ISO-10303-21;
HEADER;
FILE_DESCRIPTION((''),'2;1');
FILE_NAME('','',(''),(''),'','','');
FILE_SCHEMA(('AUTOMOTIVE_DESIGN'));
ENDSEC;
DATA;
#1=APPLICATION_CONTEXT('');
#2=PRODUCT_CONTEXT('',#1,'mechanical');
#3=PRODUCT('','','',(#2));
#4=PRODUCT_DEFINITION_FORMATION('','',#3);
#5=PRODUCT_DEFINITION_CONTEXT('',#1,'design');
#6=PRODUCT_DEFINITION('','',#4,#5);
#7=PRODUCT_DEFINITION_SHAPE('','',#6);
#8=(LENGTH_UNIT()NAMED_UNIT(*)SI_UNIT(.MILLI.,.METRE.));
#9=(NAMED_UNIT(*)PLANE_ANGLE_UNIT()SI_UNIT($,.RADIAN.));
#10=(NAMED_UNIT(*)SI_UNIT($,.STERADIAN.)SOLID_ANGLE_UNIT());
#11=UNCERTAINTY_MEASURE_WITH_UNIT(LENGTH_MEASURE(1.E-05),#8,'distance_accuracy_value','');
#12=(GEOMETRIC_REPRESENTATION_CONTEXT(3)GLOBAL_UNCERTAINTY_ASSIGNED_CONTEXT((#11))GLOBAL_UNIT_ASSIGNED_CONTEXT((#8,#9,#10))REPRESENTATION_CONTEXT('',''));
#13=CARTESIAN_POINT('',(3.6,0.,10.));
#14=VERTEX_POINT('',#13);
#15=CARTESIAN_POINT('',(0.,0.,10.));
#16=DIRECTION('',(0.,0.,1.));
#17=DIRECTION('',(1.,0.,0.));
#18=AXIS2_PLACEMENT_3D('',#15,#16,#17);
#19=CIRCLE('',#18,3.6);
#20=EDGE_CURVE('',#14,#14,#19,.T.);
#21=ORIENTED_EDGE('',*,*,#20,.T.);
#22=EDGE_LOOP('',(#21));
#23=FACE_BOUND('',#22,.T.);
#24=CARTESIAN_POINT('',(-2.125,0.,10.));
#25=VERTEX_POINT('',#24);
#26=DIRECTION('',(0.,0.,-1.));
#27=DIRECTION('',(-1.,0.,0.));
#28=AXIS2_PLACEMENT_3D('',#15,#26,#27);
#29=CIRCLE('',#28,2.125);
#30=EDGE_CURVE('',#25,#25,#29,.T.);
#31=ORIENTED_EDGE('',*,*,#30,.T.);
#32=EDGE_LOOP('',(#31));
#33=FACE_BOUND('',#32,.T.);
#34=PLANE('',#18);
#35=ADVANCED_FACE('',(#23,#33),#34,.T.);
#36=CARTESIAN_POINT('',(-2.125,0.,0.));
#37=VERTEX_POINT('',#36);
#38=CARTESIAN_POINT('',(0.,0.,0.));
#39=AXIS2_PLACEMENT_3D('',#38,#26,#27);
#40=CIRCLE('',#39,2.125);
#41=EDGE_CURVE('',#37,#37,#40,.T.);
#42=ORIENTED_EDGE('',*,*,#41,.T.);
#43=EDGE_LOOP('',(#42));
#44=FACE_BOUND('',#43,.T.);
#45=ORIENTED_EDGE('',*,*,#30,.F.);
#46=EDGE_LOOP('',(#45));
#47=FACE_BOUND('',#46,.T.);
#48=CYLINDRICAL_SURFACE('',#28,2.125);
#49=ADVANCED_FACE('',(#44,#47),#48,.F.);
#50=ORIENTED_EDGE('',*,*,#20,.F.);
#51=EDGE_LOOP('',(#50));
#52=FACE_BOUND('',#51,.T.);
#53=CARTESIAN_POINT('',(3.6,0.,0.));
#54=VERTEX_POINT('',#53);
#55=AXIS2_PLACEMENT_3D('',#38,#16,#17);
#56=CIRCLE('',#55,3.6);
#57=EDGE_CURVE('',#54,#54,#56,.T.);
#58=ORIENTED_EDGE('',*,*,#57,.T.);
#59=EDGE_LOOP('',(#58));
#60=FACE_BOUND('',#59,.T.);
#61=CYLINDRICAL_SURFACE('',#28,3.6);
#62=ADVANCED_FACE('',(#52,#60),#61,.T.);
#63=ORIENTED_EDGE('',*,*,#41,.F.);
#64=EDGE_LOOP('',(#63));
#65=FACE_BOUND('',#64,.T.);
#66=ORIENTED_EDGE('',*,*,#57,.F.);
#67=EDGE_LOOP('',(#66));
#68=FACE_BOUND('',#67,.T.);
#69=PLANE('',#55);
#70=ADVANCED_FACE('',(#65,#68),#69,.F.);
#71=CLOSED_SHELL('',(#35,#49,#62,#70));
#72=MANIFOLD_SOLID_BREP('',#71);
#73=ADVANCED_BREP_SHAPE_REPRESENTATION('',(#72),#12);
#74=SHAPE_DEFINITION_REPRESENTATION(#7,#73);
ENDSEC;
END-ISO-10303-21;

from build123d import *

# Parameters (mm, degrees)
SKETCH1_R           = 3.6
BOSS_EXTRUDE1_DEPTH = 10
SKETCH2_R           = 2.125
CUT_EXTRUDE1_DEPTH  = 12.221408111


with BuildPart() as part:
    # Sketch1 → Boss-Extrude1 (new body)
    with BuildSketch(Plane.XY):
        Circle(SKETCH1_R)
    extrude(amount=BOSS_EXTRUDE1_DEPTH)

    # Sketch2 → Cut-Extrude1 (cut, through all)
    with BuildSketch(Plane(origin=(0, 0, 0), x_dir=(-1, 0, 0), z_dir=(0, 0, -1))):
        Circle(SKETCH2_R)
    extrude(amount=-CUT_EXTRUDE1_DEPTH, mode=Mode.SUBTRACT)


solid = part.part
